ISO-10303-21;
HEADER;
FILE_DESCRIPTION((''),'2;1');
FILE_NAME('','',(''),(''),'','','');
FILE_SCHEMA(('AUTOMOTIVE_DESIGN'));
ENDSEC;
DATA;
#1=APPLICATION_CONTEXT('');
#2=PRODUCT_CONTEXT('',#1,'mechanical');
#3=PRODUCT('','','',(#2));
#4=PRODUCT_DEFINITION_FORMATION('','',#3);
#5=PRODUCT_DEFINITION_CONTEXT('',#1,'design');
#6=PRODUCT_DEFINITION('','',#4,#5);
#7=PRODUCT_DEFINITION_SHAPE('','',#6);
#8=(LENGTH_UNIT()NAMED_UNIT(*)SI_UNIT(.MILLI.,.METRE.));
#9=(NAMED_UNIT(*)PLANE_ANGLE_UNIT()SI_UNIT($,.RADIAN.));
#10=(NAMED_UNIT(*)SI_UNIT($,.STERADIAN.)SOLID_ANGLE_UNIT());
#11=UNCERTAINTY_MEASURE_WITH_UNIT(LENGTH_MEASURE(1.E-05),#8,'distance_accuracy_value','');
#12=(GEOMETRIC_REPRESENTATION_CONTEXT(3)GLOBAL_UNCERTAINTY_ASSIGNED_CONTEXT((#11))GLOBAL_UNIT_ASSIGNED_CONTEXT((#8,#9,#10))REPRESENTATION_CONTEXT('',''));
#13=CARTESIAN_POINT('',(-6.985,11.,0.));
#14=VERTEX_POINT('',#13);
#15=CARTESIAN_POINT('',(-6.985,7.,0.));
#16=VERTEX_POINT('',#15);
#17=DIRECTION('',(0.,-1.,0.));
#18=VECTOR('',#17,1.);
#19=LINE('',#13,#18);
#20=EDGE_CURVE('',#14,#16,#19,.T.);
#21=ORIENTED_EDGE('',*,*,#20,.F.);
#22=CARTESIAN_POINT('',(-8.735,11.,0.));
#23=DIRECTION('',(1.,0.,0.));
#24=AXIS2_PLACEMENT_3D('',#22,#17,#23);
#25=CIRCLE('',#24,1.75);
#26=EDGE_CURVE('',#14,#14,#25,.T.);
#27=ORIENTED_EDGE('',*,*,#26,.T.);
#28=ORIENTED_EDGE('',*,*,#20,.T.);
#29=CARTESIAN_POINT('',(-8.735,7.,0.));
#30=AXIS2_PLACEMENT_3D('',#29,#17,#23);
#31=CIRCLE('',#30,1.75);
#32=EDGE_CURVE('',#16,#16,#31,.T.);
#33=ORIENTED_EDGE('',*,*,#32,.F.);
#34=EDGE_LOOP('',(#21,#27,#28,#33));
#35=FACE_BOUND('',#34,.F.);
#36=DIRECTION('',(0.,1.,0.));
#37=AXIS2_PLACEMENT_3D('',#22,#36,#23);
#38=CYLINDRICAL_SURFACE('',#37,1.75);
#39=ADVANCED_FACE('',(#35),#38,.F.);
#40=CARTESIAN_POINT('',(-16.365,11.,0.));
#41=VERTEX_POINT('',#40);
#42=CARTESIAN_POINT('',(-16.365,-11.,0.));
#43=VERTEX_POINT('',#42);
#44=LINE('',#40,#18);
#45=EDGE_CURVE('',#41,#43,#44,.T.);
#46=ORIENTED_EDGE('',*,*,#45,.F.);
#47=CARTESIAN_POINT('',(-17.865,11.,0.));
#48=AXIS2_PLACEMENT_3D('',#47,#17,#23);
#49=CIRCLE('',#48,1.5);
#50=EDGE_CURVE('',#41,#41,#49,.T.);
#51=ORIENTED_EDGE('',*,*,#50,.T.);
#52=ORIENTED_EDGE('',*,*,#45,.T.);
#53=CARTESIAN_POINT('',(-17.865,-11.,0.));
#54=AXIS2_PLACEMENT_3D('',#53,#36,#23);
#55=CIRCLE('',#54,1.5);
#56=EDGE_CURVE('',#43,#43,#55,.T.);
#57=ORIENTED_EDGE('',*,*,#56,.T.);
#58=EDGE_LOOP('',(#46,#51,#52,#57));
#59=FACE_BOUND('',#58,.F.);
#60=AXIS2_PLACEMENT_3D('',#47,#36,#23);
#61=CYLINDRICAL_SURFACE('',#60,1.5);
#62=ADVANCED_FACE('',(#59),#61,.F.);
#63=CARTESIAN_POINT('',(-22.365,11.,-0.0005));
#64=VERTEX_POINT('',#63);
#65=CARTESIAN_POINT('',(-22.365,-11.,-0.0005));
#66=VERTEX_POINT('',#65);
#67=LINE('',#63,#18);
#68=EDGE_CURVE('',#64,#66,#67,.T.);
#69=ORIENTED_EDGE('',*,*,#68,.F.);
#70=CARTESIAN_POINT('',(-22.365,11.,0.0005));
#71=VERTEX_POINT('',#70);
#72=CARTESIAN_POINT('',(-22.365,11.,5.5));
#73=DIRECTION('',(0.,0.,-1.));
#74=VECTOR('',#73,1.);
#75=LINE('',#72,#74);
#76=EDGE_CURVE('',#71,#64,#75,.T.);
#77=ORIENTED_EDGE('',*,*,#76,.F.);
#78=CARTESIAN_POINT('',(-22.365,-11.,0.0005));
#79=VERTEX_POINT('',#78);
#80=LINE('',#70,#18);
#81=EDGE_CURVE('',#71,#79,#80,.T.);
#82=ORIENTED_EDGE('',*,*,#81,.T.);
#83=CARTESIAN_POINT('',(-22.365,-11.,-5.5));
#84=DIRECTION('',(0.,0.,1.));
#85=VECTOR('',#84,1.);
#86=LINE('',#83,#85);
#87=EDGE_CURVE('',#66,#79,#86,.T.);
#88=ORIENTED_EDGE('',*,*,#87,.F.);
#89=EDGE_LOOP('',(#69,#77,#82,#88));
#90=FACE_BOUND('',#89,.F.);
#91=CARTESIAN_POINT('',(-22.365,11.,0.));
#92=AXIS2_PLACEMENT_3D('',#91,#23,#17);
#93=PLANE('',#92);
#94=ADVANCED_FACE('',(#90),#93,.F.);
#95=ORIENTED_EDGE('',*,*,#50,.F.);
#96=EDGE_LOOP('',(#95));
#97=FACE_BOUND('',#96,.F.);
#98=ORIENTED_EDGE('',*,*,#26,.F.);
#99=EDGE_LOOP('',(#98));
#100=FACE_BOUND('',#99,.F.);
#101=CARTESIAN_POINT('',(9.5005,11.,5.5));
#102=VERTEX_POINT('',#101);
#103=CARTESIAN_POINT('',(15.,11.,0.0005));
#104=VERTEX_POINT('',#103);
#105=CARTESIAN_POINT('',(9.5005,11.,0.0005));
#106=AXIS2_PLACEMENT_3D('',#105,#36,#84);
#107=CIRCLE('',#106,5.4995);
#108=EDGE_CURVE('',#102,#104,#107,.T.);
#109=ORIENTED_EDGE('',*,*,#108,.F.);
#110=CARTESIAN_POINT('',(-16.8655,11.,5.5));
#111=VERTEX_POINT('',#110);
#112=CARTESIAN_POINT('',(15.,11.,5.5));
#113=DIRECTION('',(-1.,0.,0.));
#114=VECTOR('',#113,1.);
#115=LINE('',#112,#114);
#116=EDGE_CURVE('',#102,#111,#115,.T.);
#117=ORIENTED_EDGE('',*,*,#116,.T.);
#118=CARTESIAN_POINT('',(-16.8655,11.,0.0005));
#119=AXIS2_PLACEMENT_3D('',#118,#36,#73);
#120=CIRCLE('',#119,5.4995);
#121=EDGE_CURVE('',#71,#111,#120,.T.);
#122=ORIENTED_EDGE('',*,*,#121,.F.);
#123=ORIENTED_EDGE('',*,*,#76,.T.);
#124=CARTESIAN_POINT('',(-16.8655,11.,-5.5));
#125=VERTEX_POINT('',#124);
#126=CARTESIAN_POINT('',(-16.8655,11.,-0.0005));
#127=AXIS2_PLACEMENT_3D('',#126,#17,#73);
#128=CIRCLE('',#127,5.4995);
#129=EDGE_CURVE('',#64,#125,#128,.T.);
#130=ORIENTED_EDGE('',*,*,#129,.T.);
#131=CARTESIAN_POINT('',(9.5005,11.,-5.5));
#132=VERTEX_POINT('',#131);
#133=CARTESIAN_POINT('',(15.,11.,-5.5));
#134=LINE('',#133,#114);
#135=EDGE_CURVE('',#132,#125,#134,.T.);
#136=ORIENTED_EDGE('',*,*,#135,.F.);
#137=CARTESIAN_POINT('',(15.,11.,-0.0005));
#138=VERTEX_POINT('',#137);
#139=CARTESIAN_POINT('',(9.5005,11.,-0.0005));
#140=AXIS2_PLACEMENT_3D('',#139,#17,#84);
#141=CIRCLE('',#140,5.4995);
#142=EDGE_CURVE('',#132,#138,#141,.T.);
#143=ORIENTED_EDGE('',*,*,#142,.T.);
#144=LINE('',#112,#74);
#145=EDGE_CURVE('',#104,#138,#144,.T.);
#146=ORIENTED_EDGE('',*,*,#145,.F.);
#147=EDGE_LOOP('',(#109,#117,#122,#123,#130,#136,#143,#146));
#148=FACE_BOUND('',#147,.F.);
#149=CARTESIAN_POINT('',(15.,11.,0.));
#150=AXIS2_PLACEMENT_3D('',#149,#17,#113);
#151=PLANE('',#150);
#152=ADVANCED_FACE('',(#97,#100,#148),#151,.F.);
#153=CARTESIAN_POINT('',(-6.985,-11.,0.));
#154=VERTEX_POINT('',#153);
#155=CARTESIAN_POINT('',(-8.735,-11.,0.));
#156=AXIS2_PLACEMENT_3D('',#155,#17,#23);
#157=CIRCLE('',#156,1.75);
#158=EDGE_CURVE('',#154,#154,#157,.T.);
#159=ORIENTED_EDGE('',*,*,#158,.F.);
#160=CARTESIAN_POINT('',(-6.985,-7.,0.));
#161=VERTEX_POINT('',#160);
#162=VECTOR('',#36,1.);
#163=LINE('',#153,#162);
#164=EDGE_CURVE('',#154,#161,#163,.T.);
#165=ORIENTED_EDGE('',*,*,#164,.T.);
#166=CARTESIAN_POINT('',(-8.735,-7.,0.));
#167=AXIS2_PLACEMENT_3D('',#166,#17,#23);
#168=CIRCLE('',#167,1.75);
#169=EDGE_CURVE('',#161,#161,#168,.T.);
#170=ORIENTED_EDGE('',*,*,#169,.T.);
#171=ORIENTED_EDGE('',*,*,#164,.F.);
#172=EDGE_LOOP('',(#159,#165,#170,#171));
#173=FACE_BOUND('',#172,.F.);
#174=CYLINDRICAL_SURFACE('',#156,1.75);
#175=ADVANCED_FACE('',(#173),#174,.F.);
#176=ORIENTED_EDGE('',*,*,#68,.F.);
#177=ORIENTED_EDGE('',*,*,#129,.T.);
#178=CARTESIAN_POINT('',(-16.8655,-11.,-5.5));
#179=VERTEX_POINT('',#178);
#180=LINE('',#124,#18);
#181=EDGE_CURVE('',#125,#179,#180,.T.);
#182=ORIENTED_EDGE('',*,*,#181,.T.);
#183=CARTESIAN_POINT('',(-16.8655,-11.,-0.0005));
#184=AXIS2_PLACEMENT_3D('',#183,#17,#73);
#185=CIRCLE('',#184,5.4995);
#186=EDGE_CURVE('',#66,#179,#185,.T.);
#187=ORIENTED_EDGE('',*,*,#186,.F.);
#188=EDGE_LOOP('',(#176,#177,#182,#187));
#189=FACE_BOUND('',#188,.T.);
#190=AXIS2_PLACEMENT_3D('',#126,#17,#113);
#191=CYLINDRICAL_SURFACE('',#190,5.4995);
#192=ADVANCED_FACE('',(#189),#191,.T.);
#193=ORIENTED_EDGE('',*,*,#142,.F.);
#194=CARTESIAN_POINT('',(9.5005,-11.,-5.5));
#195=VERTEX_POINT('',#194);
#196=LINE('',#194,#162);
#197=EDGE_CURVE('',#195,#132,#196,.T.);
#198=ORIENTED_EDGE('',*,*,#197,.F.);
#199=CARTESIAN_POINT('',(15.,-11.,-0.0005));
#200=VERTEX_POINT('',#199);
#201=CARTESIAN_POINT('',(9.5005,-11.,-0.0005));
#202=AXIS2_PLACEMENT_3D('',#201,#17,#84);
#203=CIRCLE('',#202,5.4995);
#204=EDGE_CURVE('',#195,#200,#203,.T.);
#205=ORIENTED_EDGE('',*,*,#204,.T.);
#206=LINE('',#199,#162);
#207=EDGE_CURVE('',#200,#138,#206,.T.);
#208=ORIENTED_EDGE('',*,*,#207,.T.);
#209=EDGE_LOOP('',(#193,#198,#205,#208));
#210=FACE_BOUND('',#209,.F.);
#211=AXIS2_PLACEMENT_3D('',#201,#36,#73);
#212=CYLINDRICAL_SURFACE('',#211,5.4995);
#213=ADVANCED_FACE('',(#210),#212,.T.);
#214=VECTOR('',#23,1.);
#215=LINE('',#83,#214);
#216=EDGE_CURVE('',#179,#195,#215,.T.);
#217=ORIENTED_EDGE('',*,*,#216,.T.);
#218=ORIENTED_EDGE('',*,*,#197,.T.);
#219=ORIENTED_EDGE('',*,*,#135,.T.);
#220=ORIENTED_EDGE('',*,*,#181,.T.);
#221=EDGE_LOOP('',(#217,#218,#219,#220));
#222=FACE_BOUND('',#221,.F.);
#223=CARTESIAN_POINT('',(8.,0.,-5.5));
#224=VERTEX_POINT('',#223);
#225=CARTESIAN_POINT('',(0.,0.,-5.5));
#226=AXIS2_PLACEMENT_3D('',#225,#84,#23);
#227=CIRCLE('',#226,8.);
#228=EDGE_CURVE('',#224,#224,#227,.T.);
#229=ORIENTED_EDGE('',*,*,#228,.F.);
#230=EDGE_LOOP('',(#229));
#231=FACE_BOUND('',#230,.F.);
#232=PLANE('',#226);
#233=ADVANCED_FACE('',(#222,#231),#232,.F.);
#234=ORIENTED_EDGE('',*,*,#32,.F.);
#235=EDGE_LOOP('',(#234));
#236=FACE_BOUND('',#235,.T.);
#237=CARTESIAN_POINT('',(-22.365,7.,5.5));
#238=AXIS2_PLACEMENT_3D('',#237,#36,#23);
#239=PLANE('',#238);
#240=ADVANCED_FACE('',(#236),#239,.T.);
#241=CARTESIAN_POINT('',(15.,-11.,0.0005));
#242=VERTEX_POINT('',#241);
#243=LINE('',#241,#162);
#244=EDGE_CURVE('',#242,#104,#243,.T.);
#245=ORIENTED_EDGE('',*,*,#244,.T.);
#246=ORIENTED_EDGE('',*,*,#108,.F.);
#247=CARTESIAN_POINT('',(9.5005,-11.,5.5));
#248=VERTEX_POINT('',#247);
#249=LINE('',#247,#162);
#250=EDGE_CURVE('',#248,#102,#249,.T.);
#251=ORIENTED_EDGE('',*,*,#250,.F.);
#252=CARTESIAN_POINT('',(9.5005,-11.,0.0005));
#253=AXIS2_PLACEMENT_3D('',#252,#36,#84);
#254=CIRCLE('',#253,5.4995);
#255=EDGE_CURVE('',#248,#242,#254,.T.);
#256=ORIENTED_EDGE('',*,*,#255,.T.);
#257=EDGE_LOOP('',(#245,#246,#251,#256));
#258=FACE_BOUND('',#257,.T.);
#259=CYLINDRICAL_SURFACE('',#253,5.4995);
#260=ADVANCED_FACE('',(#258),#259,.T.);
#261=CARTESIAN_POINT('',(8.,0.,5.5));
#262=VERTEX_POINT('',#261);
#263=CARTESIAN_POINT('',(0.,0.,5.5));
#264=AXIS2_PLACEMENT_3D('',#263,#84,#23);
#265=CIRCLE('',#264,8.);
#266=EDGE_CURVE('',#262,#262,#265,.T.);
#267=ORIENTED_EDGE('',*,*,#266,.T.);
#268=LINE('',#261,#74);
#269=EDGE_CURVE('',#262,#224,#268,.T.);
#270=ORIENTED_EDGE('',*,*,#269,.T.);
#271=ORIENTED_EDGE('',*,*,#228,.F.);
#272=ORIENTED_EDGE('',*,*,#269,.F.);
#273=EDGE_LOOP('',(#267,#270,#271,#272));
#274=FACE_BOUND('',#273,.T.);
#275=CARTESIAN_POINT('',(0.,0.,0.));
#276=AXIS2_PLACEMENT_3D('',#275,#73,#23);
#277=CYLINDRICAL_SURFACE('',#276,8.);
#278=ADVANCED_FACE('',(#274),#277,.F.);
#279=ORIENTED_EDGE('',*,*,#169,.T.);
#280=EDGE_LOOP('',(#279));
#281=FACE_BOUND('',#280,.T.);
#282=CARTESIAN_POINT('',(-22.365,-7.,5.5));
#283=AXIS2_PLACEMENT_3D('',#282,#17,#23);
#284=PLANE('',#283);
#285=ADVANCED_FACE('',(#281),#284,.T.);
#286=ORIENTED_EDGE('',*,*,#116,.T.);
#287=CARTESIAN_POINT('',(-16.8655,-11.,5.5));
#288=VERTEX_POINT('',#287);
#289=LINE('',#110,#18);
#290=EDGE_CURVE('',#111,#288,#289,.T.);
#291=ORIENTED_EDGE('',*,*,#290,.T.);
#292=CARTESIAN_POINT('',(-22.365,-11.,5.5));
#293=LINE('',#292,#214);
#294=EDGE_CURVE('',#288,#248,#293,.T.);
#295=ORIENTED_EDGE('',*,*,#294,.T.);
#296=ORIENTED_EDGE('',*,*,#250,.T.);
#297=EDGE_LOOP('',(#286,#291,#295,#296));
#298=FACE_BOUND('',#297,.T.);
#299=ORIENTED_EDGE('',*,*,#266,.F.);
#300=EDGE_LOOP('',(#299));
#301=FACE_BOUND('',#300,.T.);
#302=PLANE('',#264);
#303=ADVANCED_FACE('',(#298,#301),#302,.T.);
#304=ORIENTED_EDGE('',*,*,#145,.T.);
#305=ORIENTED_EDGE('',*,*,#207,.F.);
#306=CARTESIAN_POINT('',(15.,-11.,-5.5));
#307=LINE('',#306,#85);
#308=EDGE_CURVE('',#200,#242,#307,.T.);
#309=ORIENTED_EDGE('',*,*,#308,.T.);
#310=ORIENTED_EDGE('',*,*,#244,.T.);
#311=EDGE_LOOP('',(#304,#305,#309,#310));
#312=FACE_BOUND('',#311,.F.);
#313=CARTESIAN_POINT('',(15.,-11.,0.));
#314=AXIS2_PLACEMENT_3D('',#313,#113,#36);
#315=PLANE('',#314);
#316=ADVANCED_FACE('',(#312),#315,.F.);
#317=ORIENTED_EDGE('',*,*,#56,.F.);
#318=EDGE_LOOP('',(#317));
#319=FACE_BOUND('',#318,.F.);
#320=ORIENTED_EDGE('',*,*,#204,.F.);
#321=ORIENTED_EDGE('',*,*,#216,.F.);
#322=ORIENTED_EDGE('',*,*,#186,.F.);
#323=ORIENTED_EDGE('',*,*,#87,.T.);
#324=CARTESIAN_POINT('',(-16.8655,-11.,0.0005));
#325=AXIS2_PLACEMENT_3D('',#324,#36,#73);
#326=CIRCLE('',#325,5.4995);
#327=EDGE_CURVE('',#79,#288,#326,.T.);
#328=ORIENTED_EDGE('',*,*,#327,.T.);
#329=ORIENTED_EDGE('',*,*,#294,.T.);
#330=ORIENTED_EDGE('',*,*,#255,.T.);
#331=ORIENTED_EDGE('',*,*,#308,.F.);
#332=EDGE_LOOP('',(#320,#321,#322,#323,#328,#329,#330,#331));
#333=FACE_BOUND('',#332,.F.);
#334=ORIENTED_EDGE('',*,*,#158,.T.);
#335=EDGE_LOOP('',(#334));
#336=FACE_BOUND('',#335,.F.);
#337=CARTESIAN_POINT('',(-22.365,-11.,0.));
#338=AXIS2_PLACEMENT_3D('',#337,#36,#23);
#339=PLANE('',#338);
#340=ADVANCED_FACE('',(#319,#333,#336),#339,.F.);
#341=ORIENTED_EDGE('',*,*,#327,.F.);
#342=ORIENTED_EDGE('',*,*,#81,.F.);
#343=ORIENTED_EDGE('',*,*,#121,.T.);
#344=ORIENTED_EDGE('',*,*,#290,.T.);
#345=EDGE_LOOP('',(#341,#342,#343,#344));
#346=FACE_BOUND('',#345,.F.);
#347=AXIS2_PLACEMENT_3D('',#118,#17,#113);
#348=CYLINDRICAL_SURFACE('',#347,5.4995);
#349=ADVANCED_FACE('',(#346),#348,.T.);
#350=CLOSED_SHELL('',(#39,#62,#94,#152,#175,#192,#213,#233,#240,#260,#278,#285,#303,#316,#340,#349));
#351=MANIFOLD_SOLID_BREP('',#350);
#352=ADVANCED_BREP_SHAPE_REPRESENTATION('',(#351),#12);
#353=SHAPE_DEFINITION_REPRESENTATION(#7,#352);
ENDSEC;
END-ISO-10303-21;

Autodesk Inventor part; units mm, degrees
ref_plane "YZ Plane" through (0, 0, 0) normal (1, 0, 0) x (0, 1, 0)
ref_plane "XZ Plane" through (0, 0, 0) normal (0, 1, 0) x (-1, 0, 0)
ref_plane "XY Plane" through (0, 0, 0) normal (0, 0, 1) x (1, 0, 0)
sketch "Sketch1" plane through (0, 0, 0) normal (0, 0, 1) x (1, 0, 0)
  circle A0 centre (0, 0) radius 8
  line L0 (0, 0) -> (-8.735, 0) construction
  line L1 (0, 0) -> (-17.865, 0) construction
  line L2 (-8.735, 0) -> (-8.735, 11) construction
  line L3 (-8.735, 0) -> (-8.735, -11) construction
  line L4 (-17.865, 0) -> (-17.865, -11) construction
  line L5 (-17.865, 0) -> (-17.865, 11) construction
  line L6 (8, 0) -> (15, 0) construction
  line L7 (-17.865, 0) -> (-22.365, 0) construction
  line L8 (-22.365, -11) -> (15, -11)
  line L9 (15, -11) -> (15, 11)
  line L10 (15, 11) -> (-22.365, 11)
  line L11 (-22.365, 11) -> (-22.365, -11)
  dimension "d0" = 16
  dimension "d1" = 8.735
  dimension "d2" = 17.865
  dimension "d3" = 11
  dimension "d4" = 11
  dimension "d5" = 11
  dimension "d6" = 11
  dimension "d7" = 7
  dimension "d8" = 4.5
  dimension "d23" = 37.365
extrude "Extrusion1" add sketch "Sketch1" along normal mid plane 11
sketch "Sketch2" plane through (-22.365, 11, 5.5) normal (0, 1, 0) x (1, 0, 0)
  line L0 (0, 11) -> (0, 0) projected
  line L1 (0, 5.5) -> (4.5, 5.5)
  line L2 (4.5, 5.5) -> (13.63, 5.5)
  circle A0 centre (4.5, 5.5) radius 1.5
  circle A1 centre (13.63, 5.5) radius 1.75
  point P0 (22.365, 5.5)
  dimension "d11" = 4.5
  dimension "d13" = 9.13
  dimension "d14" = 3
  dimension "d15" = 3.5
extrude "Extrusion2" cut sketch "Sketch2" against normal up to next contours A0 L2 L1 | L1 L2 A0
extrude "Extrusion3" cut sketch "Sketch2" against normal blind 4 contours A1
sketch "Sketch3" plane through (-22.365, -11, 5.5) normal (0, -1, 0) x (1, 0, 0)
  circle A0 centre (13.63, -5.5) radius 1.75 projected
  circle A1 centre (13.63, -5.5) radius 1.75
  point P0 (22.365, -5.5)
extrude "Extrusion4" cut sketch "Sketch3" against normal blind 4
fillet "Fillet1" radius 5.5 4 edges at (-22.365, 0, 5.5) (15, 0, 5.5) (15, 0, -5.5) (-22.365, 0, -5.5)
equation "\"d23\" = d2 + d7 + 0.5 * d0 + d8"
properties part number "ArmMidClip - 16mmBore"
